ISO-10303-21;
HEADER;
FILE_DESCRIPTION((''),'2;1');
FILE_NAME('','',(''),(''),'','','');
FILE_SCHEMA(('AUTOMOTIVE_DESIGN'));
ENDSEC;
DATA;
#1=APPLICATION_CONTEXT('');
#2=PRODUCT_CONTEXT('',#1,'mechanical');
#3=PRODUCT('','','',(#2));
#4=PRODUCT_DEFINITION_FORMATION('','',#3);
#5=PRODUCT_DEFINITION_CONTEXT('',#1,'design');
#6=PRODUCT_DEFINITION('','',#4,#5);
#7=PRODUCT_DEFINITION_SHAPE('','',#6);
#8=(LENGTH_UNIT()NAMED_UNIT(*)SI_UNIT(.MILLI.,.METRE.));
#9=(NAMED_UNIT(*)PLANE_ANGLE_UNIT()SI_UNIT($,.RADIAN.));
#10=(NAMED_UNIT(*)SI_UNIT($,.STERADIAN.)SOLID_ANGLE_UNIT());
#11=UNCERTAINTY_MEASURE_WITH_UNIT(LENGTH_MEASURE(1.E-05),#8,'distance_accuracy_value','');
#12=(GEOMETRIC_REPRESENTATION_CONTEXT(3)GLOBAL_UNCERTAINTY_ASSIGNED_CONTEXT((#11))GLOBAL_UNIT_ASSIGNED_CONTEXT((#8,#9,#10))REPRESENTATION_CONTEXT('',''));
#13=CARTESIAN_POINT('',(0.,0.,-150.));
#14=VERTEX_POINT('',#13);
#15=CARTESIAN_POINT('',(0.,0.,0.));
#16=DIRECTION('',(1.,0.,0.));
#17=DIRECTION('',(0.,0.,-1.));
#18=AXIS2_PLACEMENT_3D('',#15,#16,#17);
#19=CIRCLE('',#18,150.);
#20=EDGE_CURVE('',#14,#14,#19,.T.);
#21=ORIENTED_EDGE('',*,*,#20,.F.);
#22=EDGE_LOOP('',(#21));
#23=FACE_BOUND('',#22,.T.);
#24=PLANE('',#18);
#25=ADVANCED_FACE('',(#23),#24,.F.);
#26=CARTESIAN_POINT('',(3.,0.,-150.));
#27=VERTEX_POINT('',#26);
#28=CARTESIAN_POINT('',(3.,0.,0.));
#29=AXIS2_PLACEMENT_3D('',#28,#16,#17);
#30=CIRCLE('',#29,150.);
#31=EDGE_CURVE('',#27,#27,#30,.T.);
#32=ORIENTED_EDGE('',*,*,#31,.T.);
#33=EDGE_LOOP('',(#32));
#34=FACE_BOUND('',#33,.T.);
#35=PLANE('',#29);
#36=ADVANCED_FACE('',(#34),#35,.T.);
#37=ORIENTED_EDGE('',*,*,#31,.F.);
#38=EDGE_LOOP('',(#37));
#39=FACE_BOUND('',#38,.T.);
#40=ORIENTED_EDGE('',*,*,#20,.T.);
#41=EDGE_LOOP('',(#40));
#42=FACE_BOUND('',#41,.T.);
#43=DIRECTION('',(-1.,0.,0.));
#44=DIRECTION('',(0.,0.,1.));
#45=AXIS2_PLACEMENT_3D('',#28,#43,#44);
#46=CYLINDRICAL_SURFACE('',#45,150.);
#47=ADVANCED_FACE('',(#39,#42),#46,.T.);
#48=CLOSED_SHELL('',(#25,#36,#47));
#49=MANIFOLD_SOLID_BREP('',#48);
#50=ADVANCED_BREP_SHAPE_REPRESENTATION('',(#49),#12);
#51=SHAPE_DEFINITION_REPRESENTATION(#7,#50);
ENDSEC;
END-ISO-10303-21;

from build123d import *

# Parameters (mm, degrees)
SKETCH2_R           = 150
BOSS_EXTRUDE1_DEPTH = 3


with BuildPart() as part:
    # Sketch2 → Boss-Extrude1 (new body)
    with BuildSketch(Plane(origin=(0, 0, 0), x_dir=(0, 0, -1), z_dir=(1, 0, 0))):
        Circle(SKETCH2_R)
    extrude(amount=BOSS_EXTRUDE1_DEPTH)


solid = part.part
